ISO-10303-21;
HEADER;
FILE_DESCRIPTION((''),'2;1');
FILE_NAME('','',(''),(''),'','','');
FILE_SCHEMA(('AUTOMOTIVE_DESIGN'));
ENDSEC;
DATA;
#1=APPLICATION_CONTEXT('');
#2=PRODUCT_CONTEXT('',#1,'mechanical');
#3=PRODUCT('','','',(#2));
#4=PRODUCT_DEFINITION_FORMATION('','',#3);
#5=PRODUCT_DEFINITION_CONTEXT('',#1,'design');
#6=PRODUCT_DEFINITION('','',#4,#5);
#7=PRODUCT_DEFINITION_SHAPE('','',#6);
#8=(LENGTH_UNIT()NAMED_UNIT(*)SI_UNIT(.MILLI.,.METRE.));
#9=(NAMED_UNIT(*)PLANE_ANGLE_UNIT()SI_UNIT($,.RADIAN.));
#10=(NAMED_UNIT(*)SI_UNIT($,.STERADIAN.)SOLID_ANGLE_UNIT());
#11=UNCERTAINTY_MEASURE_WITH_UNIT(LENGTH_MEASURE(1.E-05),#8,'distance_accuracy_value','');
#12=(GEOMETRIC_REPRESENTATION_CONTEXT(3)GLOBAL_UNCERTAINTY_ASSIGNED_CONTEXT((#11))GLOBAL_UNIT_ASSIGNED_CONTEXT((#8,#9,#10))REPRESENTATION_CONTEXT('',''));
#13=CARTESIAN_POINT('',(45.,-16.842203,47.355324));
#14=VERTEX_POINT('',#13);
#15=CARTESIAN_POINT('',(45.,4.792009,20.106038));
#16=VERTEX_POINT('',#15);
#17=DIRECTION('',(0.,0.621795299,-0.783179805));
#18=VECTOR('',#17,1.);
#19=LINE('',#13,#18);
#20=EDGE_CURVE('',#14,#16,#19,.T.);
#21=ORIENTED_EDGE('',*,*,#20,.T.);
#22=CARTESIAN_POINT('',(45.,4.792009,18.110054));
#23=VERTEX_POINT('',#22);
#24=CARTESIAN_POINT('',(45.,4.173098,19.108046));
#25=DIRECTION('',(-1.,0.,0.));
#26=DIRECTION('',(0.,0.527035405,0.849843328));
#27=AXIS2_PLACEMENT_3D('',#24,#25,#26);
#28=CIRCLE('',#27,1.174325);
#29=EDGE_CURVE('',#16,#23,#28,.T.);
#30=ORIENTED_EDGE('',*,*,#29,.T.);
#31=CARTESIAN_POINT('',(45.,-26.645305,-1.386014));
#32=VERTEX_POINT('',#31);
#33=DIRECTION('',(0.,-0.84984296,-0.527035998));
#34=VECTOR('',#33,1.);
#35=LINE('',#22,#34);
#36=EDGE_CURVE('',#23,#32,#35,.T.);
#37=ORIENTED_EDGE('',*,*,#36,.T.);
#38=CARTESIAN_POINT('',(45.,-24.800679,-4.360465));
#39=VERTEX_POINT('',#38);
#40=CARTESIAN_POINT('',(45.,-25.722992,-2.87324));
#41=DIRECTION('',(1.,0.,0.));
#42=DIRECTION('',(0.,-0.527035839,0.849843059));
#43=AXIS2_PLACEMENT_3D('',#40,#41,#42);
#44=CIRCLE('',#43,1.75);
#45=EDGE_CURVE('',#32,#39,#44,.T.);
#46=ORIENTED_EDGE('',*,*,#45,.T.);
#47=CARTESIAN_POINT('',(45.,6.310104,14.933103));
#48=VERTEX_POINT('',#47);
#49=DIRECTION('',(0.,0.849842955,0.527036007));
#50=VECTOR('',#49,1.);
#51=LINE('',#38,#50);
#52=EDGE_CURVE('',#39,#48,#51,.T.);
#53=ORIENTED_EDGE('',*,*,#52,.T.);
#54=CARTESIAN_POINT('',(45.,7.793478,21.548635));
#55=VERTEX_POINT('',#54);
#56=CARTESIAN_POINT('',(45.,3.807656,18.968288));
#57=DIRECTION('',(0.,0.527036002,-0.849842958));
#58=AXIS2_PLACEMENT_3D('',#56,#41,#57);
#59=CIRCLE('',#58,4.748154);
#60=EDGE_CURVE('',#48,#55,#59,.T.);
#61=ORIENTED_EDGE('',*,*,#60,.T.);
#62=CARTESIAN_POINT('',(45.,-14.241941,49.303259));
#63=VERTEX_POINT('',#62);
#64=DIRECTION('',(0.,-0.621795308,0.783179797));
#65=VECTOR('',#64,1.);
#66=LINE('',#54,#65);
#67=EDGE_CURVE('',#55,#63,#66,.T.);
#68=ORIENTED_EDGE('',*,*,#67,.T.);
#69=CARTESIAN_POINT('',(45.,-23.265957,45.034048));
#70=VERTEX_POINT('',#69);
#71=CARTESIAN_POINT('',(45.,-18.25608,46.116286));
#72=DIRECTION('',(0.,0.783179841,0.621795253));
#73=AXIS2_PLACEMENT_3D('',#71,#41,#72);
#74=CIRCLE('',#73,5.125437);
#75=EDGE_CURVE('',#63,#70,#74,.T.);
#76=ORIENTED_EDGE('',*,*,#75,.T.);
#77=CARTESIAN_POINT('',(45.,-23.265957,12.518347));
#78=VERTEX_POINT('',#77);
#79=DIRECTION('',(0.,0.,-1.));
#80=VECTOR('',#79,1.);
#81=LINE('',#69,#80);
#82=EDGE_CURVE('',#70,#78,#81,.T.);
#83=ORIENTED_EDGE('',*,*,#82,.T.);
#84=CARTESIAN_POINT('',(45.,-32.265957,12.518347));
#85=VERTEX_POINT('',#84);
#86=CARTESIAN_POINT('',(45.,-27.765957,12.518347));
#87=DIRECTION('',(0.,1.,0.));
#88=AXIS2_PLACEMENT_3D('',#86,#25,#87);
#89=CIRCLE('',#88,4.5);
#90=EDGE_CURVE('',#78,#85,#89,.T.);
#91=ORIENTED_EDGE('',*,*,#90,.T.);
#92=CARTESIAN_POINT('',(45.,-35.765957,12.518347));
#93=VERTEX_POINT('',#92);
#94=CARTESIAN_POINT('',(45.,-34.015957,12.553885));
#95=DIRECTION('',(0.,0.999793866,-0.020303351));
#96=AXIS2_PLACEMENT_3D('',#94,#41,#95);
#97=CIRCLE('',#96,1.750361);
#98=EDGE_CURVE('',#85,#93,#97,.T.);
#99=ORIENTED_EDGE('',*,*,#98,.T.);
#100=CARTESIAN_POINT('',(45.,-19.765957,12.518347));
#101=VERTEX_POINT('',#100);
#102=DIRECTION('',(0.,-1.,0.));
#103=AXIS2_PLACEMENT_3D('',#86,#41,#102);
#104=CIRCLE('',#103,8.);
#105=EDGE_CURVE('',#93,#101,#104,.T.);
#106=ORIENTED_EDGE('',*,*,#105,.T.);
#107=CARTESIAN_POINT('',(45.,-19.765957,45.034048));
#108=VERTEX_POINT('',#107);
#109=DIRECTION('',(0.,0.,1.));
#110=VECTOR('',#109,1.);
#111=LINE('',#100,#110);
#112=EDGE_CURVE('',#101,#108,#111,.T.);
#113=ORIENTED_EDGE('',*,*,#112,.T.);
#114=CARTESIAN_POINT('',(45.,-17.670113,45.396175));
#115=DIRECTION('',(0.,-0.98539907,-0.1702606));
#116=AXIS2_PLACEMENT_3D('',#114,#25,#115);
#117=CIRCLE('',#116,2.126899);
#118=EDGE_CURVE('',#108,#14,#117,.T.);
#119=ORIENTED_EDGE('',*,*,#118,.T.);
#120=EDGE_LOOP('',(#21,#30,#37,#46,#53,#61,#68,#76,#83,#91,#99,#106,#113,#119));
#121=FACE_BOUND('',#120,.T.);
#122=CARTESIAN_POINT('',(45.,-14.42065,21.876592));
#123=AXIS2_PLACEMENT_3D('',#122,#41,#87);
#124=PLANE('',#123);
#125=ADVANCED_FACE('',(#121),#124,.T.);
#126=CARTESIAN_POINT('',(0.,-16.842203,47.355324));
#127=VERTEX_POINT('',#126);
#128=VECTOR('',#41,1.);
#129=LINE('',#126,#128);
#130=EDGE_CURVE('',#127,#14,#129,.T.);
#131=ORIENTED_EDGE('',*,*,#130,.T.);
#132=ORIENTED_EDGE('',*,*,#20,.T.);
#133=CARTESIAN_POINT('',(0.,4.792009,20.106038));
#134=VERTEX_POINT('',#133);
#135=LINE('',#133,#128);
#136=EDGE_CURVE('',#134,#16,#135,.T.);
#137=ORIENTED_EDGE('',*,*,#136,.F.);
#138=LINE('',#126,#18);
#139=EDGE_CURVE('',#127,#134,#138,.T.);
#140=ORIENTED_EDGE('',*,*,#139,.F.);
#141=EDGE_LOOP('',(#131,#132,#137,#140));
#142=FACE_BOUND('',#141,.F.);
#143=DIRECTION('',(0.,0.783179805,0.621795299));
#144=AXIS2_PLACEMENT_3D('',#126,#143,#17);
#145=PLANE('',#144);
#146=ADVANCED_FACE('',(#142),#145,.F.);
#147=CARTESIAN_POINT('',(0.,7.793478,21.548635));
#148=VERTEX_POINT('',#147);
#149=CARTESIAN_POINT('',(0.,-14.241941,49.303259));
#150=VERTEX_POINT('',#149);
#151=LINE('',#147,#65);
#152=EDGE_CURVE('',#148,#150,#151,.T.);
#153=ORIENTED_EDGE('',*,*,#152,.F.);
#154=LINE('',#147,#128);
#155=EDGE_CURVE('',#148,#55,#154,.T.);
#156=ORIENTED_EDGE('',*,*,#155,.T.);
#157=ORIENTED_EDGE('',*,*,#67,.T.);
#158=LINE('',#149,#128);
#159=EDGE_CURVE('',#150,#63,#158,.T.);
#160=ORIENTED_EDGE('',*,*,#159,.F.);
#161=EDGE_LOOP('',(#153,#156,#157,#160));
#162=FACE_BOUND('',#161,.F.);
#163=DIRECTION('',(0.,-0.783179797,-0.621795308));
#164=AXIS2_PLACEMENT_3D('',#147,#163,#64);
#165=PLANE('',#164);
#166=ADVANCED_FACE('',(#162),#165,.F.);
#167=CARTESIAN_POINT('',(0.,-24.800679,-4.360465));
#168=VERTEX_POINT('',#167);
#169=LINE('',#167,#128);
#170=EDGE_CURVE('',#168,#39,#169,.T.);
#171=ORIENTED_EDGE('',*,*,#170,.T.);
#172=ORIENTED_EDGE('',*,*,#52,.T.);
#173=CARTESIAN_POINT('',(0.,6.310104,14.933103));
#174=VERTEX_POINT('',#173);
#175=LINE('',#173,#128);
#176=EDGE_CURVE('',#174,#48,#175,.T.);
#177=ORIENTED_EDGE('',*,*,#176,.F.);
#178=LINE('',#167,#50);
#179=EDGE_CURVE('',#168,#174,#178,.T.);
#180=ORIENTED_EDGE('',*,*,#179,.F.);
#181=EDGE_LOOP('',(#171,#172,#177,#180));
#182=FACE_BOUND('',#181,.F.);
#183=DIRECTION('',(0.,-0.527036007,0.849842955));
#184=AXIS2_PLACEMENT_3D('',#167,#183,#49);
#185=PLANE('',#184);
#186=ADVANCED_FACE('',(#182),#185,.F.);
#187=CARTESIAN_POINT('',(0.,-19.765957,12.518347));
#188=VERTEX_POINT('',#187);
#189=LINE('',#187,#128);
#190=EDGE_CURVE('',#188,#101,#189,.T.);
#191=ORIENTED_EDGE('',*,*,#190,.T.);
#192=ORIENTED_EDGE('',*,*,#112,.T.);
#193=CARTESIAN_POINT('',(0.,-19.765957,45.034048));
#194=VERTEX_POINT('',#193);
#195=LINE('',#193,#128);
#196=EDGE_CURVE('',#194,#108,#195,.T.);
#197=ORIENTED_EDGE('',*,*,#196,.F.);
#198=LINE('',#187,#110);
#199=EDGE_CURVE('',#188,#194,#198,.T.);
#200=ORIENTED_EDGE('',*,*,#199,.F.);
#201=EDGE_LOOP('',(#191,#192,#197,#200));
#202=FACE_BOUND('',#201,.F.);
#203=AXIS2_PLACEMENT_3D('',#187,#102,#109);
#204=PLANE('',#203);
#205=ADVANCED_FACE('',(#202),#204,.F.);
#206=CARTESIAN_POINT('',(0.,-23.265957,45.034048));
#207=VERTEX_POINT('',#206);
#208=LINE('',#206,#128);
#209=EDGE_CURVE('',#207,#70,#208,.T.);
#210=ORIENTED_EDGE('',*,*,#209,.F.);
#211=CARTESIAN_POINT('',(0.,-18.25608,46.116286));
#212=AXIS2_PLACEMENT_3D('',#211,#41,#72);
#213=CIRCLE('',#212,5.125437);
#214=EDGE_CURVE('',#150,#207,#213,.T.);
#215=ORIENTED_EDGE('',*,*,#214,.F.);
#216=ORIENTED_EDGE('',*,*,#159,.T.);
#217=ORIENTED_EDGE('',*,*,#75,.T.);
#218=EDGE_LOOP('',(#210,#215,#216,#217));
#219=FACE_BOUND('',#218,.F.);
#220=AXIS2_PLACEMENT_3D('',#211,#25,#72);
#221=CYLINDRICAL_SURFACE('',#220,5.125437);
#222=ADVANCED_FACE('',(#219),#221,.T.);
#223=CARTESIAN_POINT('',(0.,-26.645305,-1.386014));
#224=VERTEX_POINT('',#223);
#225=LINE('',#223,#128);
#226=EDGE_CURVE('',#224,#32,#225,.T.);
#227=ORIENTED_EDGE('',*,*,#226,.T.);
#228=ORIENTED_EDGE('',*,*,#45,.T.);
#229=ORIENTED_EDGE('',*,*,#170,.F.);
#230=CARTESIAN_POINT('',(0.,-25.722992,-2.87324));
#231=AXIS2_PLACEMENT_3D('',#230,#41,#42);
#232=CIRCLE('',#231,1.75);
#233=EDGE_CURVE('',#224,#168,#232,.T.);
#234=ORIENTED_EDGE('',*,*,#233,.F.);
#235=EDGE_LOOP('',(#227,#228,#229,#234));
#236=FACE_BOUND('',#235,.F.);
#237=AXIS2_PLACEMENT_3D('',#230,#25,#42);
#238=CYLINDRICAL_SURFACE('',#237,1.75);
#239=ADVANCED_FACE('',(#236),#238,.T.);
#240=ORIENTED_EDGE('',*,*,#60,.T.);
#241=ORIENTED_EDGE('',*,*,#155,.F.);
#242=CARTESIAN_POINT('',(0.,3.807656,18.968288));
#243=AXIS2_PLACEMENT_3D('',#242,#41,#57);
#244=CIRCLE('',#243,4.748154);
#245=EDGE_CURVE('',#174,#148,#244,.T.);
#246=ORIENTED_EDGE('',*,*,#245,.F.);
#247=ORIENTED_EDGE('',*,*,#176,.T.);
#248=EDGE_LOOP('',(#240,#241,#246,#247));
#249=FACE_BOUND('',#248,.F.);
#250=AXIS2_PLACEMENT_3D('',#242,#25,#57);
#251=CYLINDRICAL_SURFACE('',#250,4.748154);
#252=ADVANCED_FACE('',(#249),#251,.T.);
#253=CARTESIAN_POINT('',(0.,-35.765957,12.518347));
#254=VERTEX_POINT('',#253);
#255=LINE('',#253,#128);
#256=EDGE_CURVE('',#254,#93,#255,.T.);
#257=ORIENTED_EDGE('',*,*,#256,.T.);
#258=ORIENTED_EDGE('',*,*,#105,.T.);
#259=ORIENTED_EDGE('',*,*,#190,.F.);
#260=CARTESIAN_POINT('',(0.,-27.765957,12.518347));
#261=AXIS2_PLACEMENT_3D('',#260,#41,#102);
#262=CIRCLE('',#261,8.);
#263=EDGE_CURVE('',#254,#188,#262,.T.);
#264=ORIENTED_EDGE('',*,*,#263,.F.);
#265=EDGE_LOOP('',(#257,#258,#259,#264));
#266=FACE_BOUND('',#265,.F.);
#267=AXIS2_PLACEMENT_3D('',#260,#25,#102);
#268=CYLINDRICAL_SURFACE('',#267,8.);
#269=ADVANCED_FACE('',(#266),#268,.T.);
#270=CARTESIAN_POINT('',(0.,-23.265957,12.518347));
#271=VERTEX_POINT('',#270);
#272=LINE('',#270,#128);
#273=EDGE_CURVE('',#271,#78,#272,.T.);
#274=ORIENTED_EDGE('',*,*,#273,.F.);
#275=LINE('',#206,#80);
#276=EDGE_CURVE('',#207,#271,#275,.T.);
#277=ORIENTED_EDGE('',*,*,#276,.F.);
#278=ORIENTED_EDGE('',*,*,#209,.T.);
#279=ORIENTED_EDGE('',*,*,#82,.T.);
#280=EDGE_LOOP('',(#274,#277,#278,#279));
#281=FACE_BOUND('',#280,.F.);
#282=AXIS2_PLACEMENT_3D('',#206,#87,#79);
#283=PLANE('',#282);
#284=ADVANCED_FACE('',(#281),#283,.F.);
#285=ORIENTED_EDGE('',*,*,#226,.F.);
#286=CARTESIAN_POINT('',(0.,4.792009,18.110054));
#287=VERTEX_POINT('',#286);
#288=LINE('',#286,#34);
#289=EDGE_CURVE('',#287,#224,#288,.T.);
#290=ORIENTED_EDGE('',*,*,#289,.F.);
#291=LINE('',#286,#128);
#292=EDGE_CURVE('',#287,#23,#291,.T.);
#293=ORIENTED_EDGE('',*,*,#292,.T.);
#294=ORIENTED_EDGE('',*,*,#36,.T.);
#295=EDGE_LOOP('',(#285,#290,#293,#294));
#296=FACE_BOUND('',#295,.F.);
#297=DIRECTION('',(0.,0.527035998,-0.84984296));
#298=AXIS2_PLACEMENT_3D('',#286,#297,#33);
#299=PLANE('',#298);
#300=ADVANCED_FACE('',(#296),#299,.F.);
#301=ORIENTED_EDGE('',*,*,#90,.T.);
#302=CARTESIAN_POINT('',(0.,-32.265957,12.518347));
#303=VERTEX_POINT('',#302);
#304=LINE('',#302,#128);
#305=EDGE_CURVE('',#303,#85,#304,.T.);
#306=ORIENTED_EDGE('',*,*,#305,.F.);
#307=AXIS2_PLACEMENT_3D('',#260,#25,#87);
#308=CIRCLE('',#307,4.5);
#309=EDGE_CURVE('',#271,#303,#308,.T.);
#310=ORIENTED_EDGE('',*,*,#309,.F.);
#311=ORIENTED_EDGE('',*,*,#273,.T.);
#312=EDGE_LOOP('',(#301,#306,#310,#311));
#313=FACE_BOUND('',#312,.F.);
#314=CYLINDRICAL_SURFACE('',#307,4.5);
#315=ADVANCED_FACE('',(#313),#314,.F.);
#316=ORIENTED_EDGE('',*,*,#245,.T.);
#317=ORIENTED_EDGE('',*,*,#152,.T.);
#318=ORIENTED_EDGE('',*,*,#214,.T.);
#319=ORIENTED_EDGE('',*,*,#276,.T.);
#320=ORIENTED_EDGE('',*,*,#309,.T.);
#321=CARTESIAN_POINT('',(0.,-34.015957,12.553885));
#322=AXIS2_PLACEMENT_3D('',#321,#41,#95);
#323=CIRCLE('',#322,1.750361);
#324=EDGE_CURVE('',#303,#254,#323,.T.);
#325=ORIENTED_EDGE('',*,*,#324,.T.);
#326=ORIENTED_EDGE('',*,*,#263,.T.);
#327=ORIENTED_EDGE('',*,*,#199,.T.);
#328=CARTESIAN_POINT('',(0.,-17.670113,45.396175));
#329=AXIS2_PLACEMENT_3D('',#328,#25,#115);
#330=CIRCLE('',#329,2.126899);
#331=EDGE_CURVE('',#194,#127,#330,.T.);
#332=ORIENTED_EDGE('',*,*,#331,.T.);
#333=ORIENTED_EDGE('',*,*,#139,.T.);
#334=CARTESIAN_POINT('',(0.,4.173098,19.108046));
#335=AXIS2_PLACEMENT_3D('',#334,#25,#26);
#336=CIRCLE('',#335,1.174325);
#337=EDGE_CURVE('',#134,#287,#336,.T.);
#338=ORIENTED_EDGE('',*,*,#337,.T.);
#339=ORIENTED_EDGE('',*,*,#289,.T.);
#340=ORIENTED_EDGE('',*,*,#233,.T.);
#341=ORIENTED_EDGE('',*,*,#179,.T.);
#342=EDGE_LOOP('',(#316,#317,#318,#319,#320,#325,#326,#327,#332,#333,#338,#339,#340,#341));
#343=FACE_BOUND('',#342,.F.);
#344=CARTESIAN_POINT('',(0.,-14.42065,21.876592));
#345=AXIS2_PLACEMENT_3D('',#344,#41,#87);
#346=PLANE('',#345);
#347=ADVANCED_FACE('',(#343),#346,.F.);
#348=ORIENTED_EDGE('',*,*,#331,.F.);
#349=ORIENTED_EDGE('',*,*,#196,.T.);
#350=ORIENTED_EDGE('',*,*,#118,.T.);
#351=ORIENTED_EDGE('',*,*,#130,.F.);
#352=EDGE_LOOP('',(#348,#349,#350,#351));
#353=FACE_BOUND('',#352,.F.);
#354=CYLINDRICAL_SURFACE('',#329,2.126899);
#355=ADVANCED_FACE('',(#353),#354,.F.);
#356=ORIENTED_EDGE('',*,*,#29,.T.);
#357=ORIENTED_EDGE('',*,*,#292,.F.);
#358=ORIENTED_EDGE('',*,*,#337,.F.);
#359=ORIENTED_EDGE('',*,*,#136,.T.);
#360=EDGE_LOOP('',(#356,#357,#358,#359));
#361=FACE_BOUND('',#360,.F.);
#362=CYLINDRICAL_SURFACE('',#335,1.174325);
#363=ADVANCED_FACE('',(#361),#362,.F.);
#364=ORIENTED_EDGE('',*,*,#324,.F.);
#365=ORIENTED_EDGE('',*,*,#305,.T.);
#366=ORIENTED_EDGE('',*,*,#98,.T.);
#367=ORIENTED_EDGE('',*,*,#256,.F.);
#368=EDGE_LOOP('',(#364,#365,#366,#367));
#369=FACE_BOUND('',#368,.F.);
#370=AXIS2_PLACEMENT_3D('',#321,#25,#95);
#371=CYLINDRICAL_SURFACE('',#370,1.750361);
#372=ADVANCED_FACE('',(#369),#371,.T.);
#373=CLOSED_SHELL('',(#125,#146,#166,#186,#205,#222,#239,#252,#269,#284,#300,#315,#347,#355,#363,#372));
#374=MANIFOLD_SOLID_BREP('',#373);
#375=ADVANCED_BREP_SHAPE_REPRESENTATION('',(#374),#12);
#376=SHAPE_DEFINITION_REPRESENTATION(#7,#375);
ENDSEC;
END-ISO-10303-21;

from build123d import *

# Parameters (mm, degrees)
F1_DEPTH = 45


with BuildPart() as f1:
    # F0 (on Right) → F1 (new body)
    with BuildSketch(Plane.YZ):
        with BuildLine():
            Line((-23.265957, 45.034048), (-23.265957, 12.518347))
            ThreePointArc((-23.265957, 12.518347), (-27.765957, 8.018347), (-32.265957, 12.518347))
            ThreePointArc((-32.265957, 12.518347), (-34.015957, 14.304246), (-35.765957, 12.518347))
            ThreePointArc((-35.765957, 12.518347), (-27.765957, 4.518347), (-19.765957, 12.518347))
            Line((-19.765957, 12.518347), (-19.765957, 45.034048))
            ThreePointArc((-19.765957, 45.034048), (-18.992609, 47.061919), (-16.842203, 47.355324))
            Line((-16.842203, 47.355324), (4.792009, 20.106038))
            ThreePointArc((4.792009, 20.106038), (5.347423, 19.108046), (4.792009, 18.110054))
            Line((4.792009, 18.110054), (-26.645305, -1.386014))
            ThreePointArc((-26.645305, -1.386014), (-27.210218, -3.795552), (-24.800679, -4.360465))
            Line((-24.800679, -4.360465), (6.310104, 14.933103))
            ThreePointArc((6.310104, 14.933103), (8.440768, 17.929424), (7.793478, 21.548635))
            Line((7.793478, 21.548635), (-14.241941, 49.303259))
            ThreePointArc((-14.241941, 49.303259), (-20.447977, 50.749395), (-23.265957, 45.034048))
        make_face()
    extrude(amount=F1_DEPTH)


solid = f1.part
